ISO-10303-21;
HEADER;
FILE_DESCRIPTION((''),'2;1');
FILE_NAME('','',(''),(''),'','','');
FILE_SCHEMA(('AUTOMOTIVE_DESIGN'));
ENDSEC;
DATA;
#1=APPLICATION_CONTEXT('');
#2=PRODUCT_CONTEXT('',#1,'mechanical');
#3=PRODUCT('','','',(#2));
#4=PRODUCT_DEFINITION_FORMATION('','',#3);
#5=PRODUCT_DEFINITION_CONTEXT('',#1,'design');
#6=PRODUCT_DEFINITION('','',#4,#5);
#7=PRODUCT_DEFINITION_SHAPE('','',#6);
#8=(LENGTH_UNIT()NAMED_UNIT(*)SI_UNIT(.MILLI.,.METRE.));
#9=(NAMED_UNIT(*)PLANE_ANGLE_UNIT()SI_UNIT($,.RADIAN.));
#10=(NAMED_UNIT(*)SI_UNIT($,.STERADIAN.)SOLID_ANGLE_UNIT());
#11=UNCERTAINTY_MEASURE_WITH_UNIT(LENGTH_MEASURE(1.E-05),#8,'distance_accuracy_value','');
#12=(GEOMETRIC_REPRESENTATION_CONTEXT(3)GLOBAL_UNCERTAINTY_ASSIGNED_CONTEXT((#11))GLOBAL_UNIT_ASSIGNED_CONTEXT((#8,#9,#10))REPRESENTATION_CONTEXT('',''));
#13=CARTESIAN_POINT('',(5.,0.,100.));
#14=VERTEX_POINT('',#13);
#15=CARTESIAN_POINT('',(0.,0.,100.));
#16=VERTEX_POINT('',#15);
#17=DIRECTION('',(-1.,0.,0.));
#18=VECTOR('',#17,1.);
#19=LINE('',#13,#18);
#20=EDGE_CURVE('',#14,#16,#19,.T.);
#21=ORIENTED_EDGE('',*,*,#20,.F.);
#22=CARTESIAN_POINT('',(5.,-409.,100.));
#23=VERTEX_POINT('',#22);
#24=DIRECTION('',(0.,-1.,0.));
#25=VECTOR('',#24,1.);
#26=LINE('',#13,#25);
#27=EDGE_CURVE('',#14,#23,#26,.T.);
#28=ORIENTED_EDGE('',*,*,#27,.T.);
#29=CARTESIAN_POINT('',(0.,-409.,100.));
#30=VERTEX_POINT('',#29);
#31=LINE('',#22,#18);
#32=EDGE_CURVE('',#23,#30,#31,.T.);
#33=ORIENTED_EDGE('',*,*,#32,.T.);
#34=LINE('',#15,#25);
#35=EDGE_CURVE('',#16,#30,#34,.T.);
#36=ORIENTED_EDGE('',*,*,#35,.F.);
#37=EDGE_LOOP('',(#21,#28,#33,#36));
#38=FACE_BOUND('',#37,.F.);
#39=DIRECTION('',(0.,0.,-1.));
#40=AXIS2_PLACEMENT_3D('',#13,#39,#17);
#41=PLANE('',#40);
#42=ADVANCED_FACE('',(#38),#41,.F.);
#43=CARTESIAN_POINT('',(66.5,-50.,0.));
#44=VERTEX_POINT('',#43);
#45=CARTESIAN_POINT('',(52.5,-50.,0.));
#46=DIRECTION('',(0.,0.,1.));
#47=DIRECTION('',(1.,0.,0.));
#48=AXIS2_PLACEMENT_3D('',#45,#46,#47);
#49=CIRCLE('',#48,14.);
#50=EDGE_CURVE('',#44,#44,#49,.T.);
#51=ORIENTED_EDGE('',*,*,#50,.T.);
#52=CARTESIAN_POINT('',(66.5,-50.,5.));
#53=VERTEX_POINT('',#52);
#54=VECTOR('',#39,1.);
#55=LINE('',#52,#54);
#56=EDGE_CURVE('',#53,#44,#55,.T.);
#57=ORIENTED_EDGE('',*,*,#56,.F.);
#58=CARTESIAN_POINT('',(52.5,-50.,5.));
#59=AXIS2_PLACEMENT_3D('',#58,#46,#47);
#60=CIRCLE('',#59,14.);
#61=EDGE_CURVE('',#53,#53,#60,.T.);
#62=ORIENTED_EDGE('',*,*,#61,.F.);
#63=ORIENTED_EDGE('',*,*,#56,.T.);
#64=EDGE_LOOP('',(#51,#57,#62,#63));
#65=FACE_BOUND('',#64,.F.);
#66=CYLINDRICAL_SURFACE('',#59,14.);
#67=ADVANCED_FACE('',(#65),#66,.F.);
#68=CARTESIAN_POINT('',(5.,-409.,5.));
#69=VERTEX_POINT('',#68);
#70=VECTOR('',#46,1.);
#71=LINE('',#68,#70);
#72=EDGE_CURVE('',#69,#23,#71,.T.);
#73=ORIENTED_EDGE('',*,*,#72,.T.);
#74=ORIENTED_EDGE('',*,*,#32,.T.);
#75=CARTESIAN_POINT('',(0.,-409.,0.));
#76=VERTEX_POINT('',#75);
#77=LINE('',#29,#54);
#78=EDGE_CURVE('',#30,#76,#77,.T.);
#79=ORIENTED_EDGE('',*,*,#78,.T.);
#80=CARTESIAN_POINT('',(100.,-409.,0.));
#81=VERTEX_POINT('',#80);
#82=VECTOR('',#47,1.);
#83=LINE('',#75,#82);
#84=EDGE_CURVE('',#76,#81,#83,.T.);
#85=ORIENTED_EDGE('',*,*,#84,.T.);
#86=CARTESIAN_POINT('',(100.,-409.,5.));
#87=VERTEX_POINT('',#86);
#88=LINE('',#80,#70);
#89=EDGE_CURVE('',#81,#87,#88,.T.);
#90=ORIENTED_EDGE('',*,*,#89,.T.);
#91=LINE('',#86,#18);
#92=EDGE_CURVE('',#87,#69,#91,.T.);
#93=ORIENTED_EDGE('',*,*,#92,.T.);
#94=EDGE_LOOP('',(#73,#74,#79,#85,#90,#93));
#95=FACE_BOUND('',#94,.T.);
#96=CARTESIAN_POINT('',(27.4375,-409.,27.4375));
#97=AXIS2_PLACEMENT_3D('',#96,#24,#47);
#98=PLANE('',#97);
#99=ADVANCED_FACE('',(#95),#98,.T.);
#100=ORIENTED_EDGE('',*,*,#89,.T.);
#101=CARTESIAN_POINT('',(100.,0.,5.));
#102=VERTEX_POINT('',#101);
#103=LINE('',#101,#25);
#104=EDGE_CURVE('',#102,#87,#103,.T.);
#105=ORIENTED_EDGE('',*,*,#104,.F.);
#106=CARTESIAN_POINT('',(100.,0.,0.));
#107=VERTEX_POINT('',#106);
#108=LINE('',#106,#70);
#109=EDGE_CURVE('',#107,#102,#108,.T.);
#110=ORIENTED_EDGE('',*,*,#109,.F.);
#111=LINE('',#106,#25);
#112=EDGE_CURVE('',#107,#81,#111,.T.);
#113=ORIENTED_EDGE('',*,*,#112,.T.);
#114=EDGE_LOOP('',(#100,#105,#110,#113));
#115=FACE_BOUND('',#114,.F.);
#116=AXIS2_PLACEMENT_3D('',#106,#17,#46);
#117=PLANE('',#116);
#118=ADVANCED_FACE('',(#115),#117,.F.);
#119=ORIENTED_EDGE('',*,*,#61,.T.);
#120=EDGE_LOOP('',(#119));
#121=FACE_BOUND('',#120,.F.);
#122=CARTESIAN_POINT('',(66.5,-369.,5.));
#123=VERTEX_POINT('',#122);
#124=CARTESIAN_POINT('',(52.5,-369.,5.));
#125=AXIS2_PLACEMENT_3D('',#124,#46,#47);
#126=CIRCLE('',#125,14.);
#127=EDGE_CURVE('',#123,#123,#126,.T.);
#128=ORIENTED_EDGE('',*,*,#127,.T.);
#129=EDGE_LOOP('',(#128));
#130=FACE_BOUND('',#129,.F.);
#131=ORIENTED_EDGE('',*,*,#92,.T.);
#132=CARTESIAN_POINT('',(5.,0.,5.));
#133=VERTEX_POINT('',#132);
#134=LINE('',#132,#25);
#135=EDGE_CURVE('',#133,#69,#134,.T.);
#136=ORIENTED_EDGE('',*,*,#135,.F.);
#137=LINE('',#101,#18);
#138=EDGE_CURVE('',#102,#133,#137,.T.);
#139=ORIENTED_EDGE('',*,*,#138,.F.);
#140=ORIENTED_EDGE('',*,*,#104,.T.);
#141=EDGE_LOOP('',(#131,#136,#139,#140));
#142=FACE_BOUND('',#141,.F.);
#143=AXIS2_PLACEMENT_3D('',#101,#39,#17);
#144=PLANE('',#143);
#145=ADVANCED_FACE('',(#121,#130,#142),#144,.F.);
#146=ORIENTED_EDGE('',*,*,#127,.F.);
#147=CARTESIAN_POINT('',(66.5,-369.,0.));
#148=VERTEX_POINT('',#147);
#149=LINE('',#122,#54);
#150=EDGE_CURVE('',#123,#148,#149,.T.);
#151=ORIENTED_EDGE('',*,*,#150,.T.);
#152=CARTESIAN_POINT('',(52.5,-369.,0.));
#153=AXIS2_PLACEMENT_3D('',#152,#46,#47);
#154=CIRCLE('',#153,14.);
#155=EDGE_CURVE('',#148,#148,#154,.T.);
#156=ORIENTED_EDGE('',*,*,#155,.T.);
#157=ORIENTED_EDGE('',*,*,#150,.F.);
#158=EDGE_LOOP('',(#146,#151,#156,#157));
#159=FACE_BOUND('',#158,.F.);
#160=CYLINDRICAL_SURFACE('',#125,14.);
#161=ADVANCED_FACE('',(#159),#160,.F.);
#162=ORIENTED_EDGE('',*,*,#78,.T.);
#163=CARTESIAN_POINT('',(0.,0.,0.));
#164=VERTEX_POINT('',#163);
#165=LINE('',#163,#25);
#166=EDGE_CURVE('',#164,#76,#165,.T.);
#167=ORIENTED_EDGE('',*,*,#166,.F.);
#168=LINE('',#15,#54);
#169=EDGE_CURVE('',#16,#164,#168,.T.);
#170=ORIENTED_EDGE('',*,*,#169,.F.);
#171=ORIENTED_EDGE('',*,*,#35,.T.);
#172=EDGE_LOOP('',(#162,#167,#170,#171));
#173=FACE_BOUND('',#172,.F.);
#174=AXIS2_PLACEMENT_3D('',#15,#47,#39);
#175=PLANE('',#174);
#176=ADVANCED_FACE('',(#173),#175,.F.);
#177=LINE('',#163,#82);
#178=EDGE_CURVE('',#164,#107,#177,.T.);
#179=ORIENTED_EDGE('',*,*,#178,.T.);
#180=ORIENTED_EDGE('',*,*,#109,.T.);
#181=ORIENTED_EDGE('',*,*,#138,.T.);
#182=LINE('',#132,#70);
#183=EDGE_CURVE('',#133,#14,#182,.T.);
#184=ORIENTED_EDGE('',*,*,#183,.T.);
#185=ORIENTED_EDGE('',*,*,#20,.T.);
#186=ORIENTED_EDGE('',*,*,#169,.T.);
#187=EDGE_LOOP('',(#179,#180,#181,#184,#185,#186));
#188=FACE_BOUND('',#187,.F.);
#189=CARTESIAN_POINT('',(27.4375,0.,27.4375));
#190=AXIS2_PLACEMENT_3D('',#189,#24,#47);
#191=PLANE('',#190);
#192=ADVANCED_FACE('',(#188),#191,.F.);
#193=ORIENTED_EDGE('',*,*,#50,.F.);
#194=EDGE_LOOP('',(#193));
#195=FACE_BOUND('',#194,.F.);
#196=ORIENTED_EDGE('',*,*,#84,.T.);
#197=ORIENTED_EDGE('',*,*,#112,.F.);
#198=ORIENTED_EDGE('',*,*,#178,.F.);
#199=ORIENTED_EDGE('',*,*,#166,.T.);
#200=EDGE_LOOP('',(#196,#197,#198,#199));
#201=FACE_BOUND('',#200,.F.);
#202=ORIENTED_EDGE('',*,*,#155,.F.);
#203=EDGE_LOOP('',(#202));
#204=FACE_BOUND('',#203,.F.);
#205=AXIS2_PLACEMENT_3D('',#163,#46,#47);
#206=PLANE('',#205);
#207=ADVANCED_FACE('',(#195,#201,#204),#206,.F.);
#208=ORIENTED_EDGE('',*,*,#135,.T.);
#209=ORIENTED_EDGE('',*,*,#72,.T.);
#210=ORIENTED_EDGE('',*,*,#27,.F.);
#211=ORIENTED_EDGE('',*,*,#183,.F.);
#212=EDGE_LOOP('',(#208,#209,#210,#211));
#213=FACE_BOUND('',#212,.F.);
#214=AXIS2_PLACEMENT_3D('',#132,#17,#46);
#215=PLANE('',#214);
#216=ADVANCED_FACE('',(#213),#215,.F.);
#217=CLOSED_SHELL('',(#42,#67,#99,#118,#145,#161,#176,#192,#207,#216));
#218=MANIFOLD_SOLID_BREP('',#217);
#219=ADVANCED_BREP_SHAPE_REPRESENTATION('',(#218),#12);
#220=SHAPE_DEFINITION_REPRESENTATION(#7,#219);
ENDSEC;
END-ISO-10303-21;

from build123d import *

# Parameters (mm, degrees)
F1_DEPTH = 409
F2_R     = 14
F3_DEPTH = 5


with BuildPart() as f1:
    # F0 (on Front) → F1 (new body)
    with BuildSketch(Plane.XZ):
        Polygon((5, 100), (0, 100), (0, 0), (100, 0), (100, 5), (5, 5), align=None)
    extrude(amount=F1_DEPTH)

    # F2 (on face) → F3 (cut, through all)
    with BuildSketch(Plane.XY.offset(5)):
        with Locations((52.5, -50)):
            Circle(F2_R)
        with Locations((52.5, -369)):
            Circle(F2_R)
    extrude(amount=-F3_DEPTH, mode=Mode.SUBTRACT)


solid = f1.part
